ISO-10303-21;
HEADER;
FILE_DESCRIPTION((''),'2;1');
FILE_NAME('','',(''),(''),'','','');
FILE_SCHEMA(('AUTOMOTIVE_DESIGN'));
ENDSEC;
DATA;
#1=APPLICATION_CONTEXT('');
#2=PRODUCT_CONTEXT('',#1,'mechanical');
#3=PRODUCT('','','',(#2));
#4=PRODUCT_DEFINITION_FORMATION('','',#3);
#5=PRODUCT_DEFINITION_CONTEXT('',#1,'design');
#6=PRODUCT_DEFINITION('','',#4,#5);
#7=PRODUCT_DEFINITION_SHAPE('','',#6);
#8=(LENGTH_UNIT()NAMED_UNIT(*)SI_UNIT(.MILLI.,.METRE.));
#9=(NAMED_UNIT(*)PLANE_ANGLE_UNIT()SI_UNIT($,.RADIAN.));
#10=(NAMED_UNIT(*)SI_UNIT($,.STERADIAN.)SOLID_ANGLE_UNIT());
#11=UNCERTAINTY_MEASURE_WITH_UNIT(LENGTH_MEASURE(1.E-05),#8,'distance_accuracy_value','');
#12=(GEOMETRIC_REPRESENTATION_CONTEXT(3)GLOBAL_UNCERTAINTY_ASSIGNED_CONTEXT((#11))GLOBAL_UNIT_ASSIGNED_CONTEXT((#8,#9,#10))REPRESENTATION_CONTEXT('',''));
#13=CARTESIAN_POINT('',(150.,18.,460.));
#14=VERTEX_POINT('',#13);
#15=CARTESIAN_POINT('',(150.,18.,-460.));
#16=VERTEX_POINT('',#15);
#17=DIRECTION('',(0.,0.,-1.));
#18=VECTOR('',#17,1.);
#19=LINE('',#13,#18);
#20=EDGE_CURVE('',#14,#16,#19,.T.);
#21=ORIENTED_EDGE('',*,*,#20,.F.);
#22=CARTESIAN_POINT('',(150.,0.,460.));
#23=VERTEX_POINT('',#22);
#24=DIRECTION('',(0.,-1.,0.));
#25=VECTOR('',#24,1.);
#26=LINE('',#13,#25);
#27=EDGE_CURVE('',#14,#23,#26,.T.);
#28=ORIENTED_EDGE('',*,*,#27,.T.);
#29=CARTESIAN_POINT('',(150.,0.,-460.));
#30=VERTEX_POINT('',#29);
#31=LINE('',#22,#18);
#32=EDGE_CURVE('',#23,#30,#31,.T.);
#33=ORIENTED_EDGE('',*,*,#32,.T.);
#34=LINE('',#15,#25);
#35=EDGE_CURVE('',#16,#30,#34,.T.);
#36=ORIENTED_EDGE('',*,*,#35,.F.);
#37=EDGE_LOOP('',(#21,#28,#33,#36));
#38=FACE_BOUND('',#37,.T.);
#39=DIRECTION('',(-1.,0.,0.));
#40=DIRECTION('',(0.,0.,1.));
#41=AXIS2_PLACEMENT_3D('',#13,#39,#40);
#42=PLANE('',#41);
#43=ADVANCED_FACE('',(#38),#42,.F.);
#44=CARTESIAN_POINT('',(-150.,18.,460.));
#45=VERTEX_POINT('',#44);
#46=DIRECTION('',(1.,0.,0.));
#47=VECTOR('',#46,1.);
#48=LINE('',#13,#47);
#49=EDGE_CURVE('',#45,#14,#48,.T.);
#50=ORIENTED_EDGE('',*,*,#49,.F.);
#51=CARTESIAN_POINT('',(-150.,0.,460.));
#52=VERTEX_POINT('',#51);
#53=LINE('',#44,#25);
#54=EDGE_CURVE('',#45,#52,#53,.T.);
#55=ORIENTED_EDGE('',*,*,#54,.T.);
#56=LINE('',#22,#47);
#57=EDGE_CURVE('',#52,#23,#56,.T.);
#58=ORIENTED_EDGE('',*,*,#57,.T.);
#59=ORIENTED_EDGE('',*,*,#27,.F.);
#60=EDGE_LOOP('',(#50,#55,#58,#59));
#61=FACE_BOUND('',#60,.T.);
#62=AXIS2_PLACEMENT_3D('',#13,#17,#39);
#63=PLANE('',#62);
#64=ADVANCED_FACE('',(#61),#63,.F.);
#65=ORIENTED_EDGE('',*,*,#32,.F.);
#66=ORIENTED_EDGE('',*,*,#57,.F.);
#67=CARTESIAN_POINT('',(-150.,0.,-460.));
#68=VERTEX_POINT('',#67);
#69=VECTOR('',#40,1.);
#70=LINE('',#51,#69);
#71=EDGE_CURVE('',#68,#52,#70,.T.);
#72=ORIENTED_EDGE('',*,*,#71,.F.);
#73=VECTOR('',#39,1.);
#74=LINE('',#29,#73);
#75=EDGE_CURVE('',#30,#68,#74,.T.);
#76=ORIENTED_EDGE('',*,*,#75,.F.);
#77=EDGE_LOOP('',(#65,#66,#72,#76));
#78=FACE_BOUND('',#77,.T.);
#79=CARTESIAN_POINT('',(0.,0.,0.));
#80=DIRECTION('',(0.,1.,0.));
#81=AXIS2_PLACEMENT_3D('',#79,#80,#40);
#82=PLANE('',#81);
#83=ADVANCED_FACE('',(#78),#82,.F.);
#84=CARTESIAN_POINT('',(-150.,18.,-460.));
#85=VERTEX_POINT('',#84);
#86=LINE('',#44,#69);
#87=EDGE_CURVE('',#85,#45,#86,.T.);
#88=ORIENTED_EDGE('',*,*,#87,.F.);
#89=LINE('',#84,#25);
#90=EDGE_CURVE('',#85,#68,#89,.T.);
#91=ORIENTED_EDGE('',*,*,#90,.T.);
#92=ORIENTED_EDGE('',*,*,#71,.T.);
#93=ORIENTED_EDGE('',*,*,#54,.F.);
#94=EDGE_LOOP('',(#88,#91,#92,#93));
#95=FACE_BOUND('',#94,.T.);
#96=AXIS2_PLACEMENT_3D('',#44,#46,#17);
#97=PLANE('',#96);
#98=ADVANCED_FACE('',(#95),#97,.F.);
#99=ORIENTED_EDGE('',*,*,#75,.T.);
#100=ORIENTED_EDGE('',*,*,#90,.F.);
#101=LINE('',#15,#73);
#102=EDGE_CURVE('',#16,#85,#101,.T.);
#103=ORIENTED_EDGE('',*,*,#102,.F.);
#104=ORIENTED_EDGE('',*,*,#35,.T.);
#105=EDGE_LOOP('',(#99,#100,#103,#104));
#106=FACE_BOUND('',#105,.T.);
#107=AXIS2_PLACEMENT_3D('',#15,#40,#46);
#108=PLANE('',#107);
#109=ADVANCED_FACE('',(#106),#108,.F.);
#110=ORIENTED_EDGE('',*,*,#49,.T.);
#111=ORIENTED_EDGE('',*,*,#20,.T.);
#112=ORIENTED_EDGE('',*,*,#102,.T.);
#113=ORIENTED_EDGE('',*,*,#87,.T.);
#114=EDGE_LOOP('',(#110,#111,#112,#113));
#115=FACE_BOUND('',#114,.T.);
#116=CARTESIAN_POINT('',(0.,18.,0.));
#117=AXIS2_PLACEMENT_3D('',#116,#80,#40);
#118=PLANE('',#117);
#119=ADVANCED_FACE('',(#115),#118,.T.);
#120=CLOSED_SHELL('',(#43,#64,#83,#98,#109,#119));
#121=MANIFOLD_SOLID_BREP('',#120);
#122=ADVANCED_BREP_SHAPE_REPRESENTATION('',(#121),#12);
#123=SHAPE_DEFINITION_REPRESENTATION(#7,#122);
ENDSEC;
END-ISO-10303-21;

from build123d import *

# Parameters (mm, degrees)
SKETCH_1_W      = 300
SKETCH_1_H      = 920
EXTRUDE_1_DEPTH = 18


with BuildPart() as part:
    # Эскиз1 → Бобышка-Вытянуть1 (new body)
    with BuildSketch(Plane(origin=(0, 0, 0), x_dir=(1, 0, 0), z_dir=(0, 1, 0))):
        Rectangle(SKETCH_1_W, SKETCH_1_H)
    extrude(amount=EXTRUDE_1_DEPTH)


solid = part.part
